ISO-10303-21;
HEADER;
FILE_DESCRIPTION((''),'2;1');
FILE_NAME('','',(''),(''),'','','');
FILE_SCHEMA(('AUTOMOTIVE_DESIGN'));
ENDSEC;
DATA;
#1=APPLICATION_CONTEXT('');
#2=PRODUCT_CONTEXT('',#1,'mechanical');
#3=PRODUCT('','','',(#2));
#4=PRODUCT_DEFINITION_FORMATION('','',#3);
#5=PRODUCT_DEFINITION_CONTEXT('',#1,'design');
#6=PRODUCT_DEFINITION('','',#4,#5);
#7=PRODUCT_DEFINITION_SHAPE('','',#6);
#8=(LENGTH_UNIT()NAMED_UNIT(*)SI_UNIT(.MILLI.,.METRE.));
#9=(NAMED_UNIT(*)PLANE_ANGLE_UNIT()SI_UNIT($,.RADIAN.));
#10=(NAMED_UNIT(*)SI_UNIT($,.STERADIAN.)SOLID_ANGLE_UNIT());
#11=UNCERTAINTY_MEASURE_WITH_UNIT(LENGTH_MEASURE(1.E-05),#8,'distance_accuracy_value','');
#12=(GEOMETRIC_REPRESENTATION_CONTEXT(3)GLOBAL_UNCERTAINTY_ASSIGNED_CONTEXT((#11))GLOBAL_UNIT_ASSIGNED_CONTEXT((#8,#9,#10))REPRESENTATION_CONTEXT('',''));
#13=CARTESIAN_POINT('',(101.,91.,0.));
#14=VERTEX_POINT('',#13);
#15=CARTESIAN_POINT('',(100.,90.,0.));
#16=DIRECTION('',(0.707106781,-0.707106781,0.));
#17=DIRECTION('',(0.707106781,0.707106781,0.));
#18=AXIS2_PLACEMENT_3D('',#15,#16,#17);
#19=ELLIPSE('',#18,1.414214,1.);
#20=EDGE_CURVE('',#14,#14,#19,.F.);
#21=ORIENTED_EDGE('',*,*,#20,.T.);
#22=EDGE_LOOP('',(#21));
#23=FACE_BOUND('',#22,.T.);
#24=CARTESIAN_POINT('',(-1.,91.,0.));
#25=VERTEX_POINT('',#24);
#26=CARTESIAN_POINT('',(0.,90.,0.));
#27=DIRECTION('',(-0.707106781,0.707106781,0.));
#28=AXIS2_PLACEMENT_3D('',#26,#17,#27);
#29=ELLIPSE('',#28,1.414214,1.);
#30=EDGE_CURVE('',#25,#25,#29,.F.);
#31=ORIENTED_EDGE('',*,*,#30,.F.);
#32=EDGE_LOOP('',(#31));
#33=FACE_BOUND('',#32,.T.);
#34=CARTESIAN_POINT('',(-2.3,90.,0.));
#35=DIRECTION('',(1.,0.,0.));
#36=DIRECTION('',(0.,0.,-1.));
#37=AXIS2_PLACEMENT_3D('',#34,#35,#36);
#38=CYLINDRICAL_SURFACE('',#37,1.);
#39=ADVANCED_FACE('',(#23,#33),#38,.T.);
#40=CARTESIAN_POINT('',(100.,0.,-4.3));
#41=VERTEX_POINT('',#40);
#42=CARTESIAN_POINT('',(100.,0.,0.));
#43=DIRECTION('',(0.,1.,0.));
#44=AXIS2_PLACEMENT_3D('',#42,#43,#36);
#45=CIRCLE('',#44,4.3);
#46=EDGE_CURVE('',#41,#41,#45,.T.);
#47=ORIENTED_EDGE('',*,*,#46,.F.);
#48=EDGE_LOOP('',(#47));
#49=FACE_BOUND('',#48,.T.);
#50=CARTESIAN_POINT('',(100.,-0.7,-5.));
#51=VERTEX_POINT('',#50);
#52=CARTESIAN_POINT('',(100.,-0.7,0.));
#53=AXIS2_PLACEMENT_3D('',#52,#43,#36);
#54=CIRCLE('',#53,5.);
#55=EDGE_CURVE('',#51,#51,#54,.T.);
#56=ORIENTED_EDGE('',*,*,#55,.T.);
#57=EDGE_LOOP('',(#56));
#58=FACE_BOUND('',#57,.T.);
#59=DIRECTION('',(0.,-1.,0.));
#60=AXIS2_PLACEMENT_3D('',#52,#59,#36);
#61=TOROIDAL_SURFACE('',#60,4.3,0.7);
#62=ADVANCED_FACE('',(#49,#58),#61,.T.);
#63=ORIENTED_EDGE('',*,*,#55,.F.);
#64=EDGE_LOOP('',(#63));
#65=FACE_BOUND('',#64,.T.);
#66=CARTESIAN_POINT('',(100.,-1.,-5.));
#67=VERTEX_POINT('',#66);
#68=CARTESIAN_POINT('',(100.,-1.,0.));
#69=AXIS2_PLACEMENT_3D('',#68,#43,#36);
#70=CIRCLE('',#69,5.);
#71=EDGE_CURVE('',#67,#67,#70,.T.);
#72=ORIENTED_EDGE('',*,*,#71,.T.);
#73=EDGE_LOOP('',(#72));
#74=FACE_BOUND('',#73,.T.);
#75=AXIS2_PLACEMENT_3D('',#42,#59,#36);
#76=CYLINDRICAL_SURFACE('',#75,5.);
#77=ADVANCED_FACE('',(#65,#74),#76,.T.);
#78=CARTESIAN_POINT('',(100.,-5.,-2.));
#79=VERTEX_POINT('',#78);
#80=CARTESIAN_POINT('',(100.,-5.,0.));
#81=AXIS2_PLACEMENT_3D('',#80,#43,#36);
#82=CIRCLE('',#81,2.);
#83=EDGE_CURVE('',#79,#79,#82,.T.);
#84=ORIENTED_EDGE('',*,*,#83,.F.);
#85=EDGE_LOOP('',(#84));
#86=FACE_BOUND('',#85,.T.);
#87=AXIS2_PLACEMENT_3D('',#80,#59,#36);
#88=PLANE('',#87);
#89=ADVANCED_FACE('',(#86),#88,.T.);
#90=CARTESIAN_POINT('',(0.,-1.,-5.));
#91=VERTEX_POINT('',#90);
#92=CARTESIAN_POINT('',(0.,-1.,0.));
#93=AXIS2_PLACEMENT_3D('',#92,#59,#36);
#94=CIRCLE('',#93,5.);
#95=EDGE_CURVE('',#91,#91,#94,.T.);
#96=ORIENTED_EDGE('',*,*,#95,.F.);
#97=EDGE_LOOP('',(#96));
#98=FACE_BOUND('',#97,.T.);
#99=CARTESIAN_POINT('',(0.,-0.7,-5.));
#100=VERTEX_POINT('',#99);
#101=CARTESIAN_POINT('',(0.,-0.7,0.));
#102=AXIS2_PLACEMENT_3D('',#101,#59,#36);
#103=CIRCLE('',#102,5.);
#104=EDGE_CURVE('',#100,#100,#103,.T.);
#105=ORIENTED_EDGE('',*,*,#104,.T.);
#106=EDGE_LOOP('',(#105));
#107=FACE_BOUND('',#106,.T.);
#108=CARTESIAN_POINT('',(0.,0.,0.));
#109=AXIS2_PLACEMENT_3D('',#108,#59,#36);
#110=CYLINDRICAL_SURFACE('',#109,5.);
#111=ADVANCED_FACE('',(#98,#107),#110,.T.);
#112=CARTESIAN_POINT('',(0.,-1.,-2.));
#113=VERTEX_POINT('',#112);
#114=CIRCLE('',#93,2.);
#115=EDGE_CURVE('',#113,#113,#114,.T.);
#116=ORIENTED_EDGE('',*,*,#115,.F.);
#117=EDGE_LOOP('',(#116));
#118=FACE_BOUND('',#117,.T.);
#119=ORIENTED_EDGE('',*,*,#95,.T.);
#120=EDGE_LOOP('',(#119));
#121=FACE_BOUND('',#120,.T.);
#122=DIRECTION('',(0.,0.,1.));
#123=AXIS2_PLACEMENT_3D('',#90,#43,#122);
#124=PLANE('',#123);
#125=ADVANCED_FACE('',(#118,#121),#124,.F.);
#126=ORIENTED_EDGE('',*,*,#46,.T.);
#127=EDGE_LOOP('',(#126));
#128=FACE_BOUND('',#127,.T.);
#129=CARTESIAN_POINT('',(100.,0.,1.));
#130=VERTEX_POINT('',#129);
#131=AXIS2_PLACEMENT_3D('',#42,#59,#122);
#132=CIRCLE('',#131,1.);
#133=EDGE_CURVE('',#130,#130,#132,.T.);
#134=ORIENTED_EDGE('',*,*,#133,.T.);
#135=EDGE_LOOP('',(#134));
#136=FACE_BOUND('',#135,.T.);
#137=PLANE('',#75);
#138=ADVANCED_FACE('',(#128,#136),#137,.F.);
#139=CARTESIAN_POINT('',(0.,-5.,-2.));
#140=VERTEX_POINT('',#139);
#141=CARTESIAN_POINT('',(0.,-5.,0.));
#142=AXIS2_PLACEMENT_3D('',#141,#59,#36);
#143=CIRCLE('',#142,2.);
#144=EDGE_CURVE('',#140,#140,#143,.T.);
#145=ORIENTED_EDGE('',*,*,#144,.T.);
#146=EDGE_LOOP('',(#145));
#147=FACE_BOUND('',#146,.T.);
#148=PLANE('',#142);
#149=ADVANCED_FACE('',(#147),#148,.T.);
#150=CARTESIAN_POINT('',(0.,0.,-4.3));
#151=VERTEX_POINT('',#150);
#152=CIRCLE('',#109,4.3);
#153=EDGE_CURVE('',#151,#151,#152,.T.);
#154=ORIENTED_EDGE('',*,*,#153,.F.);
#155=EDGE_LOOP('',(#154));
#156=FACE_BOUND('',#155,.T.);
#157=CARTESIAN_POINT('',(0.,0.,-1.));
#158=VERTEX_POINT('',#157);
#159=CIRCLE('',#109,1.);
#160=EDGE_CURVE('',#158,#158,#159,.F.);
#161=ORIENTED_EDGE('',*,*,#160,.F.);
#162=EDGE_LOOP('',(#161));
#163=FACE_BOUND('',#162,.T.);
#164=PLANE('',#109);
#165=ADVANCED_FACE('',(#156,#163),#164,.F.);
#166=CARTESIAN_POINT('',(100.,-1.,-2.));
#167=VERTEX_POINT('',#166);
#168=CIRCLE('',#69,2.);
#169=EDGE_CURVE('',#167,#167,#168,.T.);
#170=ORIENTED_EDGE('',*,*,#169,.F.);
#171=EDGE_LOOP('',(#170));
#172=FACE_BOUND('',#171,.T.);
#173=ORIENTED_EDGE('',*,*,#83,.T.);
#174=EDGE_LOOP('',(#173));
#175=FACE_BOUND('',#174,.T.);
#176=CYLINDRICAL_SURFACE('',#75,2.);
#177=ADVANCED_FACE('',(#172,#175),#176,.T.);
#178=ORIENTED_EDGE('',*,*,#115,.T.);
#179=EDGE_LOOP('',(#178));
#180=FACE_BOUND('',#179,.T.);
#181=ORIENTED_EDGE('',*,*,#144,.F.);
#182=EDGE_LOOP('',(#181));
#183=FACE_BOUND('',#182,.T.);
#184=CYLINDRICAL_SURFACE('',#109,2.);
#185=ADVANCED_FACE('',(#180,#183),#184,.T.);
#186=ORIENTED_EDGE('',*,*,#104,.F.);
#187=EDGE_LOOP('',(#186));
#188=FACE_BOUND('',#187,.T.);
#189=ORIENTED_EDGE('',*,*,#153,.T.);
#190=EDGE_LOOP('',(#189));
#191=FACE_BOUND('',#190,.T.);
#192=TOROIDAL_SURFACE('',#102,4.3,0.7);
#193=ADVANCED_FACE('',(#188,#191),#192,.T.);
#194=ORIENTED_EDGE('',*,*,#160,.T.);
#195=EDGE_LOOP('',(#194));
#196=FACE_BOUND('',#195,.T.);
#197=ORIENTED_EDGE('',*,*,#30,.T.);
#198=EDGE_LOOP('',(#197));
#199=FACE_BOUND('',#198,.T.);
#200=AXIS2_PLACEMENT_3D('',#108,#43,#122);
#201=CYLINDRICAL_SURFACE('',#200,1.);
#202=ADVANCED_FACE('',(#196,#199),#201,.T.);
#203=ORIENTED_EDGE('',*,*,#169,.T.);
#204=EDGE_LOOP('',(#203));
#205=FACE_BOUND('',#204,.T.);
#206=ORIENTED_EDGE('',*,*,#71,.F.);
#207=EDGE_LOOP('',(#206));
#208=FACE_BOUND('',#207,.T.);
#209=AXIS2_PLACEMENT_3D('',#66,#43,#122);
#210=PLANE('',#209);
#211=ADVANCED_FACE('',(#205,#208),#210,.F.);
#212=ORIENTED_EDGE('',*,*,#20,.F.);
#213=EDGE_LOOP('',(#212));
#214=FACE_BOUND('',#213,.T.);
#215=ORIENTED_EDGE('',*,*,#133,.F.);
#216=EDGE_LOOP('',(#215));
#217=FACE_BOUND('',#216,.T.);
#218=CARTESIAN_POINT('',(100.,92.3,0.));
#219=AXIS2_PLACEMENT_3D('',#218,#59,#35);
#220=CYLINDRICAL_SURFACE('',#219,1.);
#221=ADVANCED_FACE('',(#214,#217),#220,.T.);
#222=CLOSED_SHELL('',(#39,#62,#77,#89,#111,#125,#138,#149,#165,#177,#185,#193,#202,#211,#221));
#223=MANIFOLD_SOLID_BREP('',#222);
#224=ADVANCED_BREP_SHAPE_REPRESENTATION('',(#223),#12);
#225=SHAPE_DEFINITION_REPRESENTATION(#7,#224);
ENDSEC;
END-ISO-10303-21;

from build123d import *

# Parameters (mm, degrees)
SKETCH5_R = 1
SKETCH4_W = 4
SKETCH4_H = 2


with BuildPart() as part:
    # Sweep1: sweep along a path in Sketch3
    with BuildLine(Plane.XY) as sweep1_path:
        Line((0, 0), (0, 90))
        Line((0, 90), (100, 90))
        Line((100, 90), (100, 0))
    # Sketch5 → Sweep1 (sweep)
    with BuildSketch(Plane(origin=(0, 0, 0), x_dir=(1, 0, 0), z_dir=(0, 1, 0))):
        Circle(SKETCH5_R)
    sweep(path=sweep1_path.line, transition=Transition.RIGHT)

    # Sketch4 → Revolve1 (revolve)
    with BuildSketch(Plane.YZ):
        with BuildLine():
            Line((0, -4.3), (0, 0))
            Line((0, 0), (-1, 0))
            Line((-1, 0), (-1, -2))
            Line((-1, -2), (-1, -5))
            Line((-1, -5), (-0.7, -5))
            ThreePointArc((-0.7, -5), (-0.205025253, -4.794974747), (0, -4.3))
        make_face()
        with Locations((-3, -1)):
            Rectangle(SKETCH4_W, SKETCH4_H)
    revolve1 = revolve(axis=Axis((0, 0, 0), (0, 1, 0)))

    # Mirror1: Revolve1 across plane
    add(revolve1.mirror(Plane(origin=(50, 0, 0), x_dir=(0, 0, 1), z_dir=(1, 0, 0))))


solid = part.part
